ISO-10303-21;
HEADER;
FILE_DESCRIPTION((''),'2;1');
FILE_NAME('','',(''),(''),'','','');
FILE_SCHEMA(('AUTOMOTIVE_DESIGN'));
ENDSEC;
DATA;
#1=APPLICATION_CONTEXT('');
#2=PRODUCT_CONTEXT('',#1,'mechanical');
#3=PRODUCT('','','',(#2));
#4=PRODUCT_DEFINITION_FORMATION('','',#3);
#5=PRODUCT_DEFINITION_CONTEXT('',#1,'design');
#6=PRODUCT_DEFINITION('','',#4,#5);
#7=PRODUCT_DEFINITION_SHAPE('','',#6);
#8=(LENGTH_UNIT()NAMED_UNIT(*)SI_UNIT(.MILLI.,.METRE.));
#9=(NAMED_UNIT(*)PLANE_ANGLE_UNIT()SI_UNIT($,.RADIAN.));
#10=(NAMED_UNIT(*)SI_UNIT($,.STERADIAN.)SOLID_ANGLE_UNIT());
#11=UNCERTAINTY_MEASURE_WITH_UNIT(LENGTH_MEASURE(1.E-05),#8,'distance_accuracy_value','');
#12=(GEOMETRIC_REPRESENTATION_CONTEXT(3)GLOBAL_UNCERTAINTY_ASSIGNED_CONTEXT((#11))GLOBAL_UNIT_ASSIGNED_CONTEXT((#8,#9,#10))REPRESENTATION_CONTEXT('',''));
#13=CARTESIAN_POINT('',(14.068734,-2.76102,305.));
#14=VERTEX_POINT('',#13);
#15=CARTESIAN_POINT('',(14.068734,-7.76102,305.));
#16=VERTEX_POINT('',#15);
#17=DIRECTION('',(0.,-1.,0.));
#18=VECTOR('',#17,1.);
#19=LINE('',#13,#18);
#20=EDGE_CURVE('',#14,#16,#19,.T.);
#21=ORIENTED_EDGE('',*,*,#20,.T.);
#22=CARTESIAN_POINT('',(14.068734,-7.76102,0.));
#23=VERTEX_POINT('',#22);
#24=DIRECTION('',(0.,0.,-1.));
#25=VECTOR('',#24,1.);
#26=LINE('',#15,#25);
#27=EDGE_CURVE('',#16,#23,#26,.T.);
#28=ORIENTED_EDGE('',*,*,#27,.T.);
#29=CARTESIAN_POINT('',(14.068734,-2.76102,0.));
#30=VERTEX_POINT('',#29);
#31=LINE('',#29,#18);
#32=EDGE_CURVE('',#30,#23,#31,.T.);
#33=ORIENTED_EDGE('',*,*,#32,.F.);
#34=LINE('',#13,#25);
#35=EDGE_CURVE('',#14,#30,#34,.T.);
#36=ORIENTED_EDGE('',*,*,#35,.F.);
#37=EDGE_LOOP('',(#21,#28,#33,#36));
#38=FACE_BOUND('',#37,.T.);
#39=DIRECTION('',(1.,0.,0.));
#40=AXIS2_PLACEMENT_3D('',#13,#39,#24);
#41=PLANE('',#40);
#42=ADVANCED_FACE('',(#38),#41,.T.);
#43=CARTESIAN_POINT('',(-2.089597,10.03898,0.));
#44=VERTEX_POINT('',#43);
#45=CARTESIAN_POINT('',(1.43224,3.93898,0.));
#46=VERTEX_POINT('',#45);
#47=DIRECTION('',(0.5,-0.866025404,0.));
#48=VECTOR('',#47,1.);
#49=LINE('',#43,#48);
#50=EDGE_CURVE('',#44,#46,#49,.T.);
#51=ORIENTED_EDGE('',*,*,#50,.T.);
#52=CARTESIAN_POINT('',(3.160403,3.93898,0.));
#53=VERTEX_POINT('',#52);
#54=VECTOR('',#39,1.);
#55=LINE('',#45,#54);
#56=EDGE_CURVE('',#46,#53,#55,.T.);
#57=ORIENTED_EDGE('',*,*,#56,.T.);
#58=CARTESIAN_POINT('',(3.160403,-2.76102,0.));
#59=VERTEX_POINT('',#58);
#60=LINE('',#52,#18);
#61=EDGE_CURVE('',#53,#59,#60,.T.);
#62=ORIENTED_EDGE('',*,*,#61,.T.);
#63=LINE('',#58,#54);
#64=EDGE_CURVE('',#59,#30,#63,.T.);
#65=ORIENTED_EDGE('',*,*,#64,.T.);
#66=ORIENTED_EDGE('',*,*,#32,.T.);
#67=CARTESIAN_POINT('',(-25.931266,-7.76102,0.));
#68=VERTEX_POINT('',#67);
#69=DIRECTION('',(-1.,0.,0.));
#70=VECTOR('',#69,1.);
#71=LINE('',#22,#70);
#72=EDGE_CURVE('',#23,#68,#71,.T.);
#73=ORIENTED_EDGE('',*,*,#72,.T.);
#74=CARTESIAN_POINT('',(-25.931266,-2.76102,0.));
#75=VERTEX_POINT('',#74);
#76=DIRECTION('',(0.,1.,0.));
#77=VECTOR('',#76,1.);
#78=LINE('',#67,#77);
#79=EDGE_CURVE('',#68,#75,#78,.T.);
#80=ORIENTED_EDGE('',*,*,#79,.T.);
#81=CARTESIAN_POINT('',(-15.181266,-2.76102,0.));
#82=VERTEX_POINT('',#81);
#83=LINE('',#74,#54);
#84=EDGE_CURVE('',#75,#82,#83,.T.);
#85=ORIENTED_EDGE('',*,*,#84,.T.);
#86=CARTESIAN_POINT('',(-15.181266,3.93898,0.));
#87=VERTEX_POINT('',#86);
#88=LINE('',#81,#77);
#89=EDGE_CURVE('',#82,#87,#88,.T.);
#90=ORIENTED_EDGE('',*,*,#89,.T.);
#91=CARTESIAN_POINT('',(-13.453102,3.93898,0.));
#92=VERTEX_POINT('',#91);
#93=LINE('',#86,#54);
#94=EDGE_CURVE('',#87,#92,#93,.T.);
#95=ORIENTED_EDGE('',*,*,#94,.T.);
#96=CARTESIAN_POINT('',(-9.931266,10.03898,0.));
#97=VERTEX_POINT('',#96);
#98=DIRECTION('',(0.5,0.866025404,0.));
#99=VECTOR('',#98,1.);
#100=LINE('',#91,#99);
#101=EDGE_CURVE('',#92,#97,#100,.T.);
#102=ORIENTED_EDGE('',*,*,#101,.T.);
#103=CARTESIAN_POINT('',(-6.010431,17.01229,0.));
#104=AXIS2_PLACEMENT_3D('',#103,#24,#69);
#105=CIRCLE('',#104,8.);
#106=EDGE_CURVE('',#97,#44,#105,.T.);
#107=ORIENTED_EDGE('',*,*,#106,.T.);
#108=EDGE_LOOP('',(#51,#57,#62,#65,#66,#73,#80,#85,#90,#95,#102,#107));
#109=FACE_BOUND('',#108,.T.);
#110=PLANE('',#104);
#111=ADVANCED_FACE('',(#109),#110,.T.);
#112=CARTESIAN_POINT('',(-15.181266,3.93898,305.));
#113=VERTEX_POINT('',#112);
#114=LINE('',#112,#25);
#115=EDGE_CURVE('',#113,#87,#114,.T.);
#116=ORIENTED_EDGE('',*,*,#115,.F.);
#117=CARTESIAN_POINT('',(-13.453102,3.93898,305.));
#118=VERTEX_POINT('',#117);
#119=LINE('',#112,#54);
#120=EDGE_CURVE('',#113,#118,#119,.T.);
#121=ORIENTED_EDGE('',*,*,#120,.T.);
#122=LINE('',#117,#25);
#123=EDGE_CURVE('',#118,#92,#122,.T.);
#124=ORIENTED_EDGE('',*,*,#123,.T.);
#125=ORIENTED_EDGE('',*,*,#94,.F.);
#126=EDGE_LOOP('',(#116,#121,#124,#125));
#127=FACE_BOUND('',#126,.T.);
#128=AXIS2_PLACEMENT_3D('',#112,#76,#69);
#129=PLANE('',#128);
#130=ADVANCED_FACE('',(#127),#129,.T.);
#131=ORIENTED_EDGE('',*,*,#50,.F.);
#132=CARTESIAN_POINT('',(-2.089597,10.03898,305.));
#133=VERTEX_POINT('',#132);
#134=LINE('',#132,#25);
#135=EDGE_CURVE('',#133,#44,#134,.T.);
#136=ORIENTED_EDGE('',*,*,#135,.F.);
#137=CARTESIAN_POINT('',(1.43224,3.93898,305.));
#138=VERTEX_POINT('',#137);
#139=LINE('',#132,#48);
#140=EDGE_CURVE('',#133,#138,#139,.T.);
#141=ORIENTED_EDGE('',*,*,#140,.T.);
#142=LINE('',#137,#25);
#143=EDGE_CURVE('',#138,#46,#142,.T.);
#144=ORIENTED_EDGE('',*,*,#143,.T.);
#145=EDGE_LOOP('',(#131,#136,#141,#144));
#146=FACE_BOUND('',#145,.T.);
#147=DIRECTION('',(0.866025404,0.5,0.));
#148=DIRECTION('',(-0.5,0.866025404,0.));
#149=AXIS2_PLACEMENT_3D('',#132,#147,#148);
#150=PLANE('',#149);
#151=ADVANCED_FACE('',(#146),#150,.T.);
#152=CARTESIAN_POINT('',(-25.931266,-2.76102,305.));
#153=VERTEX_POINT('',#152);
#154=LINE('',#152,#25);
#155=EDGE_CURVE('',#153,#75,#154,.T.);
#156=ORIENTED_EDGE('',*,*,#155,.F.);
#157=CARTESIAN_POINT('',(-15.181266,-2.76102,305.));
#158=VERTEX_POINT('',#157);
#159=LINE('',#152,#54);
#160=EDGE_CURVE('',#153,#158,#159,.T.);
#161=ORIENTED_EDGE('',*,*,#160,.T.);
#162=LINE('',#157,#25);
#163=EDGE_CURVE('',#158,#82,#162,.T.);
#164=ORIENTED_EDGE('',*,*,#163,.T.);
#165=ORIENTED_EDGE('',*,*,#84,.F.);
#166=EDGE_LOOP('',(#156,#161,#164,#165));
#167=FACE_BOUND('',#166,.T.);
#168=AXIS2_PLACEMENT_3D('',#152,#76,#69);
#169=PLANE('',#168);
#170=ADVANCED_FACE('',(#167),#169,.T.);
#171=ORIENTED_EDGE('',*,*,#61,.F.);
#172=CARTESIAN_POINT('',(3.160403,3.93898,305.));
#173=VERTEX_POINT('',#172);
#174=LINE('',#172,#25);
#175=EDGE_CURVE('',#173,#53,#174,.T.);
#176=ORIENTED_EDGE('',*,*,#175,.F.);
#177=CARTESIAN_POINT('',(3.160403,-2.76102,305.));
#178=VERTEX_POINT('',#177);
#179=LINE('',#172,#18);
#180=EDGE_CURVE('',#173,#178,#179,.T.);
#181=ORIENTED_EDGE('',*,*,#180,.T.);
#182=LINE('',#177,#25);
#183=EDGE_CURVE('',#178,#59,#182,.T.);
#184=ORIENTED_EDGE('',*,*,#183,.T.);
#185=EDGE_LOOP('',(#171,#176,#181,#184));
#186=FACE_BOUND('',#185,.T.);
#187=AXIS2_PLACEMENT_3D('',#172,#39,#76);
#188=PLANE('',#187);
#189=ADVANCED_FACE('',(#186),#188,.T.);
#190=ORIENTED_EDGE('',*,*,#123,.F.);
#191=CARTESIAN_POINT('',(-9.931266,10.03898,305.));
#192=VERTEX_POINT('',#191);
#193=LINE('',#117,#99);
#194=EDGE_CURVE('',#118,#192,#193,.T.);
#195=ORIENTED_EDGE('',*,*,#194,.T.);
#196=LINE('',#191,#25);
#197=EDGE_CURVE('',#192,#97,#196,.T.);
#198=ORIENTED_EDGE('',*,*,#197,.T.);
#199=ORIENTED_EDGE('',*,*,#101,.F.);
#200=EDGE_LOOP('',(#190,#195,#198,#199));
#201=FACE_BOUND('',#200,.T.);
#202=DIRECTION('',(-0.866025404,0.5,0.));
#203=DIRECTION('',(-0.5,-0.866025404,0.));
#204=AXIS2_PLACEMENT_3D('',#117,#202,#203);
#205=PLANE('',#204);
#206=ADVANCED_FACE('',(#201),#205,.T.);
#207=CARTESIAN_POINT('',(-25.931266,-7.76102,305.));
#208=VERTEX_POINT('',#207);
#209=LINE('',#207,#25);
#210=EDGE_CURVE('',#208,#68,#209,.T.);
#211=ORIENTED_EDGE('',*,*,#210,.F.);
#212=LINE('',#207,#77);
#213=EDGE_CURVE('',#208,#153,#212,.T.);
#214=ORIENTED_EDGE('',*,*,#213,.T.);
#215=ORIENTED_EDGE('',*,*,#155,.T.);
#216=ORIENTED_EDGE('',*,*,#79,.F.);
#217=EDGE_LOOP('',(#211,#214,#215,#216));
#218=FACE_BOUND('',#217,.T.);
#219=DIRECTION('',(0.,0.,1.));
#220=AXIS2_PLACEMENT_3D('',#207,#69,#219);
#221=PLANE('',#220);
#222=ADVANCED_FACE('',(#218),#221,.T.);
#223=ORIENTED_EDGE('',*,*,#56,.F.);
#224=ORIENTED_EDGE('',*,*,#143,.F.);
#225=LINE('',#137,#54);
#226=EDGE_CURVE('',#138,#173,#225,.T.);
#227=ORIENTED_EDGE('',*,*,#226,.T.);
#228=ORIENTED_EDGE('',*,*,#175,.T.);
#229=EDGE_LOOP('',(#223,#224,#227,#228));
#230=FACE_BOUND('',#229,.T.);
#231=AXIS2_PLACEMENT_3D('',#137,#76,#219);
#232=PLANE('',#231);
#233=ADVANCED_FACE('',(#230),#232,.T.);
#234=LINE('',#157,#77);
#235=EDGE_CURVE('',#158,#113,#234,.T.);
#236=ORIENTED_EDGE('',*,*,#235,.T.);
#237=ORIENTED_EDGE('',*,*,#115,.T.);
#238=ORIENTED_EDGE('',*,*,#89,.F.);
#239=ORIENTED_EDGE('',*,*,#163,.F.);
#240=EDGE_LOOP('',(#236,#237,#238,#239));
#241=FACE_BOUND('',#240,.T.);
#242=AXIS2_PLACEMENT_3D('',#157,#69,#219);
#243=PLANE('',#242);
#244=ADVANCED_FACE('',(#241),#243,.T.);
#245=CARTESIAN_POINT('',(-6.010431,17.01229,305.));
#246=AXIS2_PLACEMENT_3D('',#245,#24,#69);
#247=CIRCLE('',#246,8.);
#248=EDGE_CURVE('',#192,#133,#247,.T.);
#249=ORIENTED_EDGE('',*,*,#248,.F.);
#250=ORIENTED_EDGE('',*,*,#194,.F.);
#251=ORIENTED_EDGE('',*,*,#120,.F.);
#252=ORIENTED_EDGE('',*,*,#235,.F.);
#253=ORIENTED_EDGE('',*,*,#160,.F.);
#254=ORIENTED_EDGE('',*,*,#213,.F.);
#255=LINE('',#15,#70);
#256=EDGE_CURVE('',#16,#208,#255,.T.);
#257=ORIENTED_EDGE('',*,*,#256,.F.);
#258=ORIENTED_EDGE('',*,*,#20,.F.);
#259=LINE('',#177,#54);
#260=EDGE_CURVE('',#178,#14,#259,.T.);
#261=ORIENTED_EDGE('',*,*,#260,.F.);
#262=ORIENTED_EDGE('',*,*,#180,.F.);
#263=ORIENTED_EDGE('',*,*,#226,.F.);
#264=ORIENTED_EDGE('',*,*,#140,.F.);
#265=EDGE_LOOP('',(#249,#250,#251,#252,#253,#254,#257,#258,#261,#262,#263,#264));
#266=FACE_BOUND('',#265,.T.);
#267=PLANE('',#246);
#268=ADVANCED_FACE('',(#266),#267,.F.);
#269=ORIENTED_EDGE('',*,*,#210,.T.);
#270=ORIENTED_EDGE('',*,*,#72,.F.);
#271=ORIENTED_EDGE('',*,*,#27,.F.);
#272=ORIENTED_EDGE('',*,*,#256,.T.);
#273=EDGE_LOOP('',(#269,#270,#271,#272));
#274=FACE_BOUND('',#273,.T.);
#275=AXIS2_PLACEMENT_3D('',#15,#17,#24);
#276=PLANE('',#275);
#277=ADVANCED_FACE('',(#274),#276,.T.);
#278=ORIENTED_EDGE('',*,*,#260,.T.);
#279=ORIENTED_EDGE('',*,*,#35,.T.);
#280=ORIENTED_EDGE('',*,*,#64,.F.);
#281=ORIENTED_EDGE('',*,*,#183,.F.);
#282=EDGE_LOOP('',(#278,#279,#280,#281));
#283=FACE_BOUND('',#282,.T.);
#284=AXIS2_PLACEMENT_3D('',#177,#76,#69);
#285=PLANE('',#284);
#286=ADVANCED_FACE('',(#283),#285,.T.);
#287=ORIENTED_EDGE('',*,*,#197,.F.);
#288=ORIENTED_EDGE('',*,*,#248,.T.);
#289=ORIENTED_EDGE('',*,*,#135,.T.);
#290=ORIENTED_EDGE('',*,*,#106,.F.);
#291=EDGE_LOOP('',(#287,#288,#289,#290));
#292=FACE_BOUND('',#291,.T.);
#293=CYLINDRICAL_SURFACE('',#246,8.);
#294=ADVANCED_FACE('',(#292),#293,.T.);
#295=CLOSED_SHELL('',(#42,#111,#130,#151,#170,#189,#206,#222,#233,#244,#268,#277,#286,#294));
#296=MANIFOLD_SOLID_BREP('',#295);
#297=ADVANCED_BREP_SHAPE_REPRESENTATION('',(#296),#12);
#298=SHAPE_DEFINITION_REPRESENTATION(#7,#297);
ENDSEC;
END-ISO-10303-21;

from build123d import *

# Parameters (mm, degrees)
BOSS_EXTRU_1_DEPTH = 305


with BuildPart() as part:
    # Esquisse1 → Boss.-Extru.1 (new body)
    with BuildSketch(Plane.XY):
        with BuildLine():
            Line((-25.931265673, -2.76101993), (-15.181265673, -2.76101993))
            Line((-15.181265673, -2.76101993), (-15.181265673, 3.93898007))
            Line((-15.181265673, 3.93898007), (-13.453102315, 3.93898007))
            Line((-13.453102315, 3.93898007), (-9.931265673, 10.03898007))
            ThreePointArc((-9.931265673, 10.03898007), (-6.010431334, 25.012290482), (-2.089596996, 10.03898007))
            Line((-2.089596996, 10.03898007), (1.432239646, 3.93898007))
            Line((1.432239646, 3.93898007), (3.160403004, 3.93898007))
            Line((3.160403004, 3.93898007), (3.160403004, -2.76101993))
            Line((3.160403004, -2.76101993), (14.068734327, -2.76101993))
            Line((14.068734327, -2.76101993), (14.068734327, -7.76101993))
            Line((14.068734327, -7.76101993), (-25.931265673, -7.76101993))
            Line((-25.931265673, -7.76101993), (-25.931265673, -2.76101993))
        make_face()
    extrude(amount=BOSS_EXTRU_1_DEPTH)


solid = part.part
